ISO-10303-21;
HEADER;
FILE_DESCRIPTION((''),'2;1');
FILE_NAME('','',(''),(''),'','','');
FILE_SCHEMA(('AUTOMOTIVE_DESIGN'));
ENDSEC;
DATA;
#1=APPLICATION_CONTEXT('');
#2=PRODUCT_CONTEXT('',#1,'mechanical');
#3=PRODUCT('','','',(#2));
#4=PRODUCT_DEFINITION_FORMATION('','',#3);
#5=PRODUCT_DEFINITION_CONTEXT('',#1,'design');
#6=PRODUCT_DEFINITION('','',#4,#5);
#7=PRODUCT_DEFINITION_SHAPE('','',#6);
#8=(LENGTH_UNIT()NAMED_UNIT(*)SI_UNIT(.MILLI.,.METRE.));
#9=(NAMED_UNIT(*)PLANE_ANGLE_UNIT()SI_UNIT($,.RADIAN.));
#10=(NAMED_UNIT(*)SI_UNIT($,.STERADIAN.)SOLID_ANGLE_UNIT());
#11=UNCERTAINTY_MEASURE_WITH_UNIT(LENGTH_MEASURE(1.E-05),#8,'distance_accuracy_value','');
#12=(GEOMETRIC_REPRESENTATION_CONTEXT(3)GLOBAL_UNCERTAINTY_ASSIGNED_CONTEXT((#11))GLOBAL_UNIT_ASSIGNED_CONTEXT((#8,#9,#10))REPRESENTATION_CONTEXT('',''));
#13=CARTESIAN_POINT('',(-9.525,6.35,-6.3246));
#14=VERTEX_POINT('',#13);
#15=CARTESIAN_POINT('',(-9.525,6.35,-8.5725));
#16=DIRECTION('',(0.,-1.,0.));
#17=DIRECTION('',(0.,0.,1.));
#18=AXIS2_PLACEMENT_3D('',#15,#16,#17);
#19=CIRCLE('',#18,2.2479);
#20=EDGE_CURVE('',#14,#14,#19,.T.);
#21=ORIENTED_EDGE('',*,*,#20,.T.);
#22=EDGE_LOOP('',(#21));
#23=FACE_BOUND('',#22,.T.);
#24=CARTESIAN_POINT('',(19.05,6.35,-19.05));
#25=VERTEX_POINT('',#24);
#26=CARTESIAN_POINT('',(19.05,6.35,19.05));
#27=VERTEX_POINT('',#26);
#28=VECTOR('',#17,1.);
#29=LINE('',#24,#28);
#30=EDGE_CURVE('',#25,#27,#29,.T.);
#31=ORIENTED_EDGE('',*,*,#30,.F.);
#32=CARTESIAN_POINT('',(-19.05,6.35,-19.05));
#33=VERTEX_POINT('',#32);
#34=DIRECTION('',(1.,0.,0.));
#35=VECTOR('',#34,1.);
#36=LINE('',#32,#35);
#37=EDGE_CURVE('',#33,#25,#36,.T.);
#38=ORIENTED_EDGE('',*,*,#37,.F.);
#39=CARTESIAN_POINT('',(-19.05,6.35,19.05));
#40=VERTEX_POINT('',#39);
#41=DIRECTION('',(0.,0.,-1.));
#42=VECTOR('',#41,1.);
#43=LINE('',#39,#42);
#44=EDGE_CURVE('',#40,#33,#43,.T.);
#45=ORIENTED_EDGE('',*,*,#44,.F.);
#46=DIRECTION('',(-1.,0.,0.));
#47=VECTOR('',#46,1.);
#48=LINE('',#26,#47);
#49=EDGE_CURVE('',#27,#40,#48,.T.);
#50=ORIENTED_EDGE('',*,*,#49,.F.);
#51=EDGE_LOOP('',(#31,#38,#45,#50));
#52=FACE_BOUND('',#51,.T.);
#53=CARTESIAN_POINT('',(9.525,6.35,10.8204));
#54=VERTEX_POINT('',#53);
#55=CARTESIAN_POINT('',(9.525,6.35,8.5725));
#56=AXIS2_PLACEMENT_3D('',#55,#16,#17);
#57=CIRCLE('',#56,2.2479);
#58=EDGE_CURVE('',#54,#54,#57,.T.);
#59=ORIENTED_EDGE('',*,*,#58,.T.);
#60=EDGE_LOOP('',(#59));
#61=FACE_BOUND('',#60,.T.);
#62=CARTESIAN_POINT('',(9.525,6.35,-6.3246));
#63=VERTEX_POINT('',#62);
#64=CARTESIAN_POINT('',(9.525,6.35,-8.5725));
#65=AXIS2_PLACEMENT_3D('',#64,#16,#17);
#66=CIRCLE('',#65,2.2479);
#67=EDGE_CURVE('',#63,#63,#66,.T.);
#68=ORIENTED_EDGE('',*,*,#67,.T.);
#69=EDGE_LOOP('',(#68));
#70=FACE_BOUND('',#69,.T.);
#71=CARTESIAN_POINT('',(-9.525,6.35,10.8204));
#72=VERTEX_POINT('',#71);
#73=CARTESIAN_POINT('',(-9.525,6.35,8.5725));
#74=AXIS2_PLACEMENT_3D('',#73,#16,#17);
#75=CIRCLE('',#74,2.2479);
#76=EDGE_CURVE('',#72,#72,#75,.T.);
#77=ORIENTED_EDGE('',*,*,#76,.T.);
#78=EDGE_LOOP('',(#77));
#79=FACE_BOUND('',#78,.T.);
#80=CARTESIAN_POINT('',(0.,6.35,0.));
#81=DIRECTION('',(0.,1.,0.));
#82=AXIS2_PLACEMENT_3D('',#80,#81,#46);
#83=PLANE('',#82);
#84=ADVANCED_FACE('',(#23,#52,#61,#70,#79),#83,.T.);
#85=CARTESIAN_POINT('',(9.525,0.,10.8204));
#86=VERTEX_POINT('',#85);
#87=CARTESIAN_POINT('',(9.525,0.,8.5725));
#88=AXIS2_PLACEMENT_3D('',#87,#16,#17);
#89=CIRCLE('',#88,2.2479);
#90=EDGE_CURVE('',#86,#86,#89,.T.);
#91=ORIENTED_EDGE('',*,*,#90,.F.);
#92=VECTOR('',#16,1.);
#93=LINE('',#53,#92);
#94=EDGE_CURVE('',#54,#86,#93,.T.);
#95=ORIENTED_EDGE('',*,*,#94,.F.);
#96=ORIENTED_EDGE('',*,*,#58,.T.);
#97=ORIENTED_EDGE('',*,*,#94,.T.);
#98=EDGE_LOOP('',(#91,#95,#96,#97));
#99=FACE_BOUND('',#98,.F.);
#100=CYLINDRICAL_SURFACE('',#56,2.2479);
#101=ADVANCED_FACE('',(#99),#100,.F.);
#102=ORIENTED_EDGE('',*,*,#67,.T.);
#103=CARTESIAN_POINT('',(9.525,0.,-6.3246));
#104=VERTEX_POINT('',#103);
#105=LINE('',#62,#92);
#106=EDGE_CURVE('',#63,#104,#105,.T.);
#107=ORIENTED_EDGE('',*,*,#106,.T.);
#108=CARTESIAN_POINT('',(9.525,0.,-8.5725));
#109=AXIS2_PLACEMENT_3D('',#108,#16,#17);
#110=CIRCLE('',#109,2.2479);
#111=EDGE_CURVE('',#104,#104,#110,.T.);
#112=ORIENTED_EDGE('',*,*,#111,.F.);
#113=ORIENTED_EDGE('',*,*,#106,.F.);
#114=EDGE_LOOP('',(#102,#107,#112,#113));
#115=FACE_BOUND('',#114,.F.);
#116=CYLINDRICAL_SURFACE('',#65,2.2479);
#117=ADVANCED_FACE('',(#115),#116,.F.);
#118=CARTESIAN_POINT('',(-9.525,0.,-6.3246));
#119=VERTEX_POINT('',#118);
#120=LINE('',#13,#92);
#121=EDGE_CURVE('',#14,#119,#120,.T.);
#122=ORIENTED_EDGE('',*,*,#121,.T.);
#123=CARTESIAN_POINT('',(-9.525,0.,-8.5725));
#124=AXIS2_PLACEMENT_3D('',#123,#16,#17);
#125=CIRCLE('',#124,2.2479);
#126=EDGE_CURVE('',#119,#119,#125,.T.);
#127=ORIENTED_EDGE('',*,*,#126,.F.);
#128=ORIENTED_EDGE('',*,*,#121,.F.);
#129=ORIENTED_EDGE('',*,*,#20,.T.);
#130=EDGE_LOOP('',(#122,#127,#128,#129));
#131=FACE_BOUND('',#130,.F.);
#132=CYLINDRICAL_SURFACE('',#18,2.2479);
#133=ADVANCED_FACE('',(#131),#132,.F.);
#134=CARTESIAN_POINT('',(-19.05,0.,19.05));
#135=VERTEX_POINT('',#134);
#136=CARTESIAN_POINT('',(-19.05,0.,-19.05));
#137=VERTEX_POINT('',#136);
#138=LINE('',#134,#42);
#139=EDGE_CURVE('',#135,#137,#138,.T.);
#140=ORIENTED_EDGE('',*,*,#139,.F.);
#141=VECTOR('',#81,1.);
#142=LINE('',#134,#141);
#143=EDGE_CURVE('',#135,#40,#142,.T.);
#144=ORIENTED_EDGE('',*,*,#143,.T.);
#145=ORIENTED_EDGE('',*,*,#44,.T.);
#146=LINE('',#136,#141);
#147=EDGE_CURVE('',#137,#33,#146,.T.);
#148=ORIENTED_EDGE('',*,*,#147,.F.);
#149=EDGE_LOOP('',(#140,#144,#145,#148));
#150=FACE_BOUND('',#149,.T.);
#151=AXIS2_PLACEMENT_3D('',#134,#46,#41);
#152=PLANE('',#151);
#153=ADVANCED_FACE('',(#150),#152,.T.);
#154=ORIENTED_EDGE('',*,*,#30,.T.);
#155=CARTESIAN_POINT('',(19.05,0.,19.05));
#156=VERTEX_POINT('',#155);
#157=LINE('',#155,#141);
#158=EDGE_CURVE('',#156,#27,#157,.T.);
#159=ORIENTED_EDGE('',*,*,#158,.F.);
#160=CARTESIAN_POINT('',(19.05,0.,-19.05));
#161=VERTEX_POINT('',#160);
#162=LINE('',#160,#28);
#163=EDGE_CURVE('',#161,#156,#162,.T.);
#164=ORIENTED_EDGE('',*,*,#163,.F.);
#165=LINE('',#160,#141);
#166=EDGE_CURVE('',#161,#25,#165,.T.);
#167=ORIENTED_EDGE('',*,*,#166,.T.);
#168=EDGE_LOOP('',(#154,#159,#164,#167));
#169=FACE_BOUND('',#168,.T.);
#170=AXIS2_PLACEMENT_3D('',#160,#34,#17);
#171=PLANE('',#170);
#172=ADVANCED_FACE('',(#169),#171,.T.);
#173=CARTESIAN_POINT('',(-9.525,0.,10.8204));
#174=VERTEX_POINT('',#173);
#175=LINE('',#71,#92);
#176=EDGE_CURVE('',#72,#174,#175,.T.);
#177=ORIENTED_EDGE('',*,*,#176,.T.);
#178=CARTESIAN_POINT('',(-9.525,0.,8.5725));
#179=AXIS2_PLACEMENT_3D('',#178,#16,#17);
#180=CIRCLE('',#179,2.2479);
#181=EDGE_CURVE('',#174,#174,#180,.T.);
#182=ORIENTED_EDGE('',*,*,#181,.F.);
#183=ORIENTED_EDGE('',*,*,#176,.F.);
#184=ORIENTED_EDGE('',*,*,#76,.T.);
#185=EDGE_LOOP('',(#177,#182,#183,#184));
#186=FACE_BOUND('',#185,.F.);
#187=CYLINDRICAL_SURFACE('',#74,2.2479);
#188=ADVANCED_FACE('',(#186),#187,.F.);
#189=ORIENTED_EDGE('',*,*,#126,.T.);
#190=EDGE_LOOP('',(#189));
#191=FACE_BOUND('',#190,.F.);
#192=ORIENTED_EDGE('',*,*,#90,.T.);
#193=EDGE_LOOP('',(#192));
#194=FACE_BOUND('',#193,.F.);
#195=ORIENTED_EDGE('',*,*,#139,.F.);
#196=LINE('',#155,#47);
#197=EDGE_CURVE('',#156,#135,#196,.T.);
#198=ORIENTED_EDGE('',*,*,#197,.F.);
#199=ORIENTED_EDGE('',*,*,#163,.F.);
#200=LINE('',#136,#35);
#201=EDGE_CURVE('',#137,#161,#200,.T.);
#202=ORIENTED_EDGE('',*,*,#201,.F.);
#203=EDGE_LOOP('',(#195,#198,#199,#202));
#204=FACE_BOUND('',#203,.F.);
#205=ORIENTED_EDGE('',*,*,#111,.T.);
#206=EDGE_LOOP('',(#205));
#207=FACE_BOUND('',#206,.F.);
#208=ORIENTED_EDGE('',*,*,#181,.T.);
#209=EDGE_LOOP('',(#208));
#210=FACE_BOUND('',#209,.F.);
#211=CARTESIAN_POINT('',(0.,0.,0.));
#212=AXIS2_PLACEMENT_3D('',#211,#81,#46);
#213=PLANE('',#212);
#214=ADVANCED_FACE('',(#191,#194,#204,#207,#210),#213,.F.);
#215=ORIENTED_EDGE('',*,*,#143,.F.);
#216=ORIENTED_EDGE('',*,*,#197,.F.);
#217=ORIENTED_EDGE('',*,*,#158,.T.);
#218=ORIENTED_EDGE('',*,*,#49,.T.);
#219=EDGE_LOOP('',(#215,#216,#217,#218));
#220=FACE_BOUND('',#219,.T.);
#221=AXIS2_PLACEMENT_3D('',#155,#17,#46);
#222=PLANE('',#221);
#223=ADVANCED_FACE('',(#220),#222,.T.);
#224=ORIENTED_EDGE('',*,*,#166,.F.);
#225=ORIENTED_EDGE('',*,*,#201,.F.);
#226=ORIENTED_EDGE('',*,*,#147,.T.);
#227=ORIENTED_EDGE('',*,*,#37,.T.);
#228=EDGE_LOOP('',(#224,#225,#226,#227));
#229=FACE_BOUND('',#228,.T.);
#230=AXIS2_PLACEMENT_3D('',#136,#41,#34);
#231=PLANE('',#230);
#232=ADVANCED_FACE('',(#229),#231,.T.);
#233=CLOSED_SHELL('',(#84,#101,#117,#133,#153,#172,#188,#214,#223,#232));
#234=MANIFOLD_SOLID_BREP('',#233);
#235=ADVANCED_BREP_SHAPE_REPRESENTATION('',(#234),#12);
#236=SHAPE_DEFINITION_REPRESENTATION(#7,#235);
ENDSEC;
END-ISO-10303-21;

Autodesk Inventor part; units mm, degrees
ref_plane "YZ Plane" through (0, 0, 0) normal (1, 0, 0) x (0, 1, 0)
ref_plane "XZ Plane" through (0, 0, 0) normal (0, 1, 0) x (-1, 0, 0)
ref_plane "XY Plane" through (0, 0, 0) normal (0, 0, 1) x (1, 0, 0)
sketch "Sketch1" plane through (0, 0, 0) normal (0, 1, 0) x (-1, 0, 0)
  line L0 (-19.05, 19.05) -> (19.05, 19.05)
  line L1 (19.05, 19.05) -> (19.05, -19.05)
  line L2 (19.05, -19.05) -> (-19.05, -19.05)
  line L3 (-19.05, -19.05) -> (-19.05, 19.05)
  line L4 (-19.05, 19.05) -> (19.05, -19.05) construction
  line L5 (19.05, 19.05) -> (-19.05, -19.05) construction
  point P0 (0, 0)
  dimension "d0" = 38.1
  dimension "d1" = 38.1
extrude "Extrusion1" add sketch "Sketch1" along normal blind 6.35
sketch "Sketch2" plane through (0, 6.35, 0) normal (0, 1, 0) x (1, 0, 0)
  line L0 (-19.05, -19.05) -> (19.05, -19.05) construction
  line L1 (19.05, -19.05) -> (19.05, 19.05) construction
  line L2 (19.05, 19.05) -> (-19.05, 19.05) construction
  line L3 (-19.05, 19.05) -> (-19.05, -19.05) construction
  point P0 (0, 0)
  point P1 (-9.525, -8.5725)
  point P2 (-9.525, 8.5725)
  point P3 (9.525, -8.5725)
  point P4 (9.525, 8.5725)
  dimension "d6" = 17.145
  dimension "d9" = 19.05
  dimension "d12" = 8.5725
  dimension "d13" = 9.525
hole "Hole1" at (-9.525, 6.35, 8.5725) at (-9.525, 6.35, -8.5725) at (9.525, 6.35, 8.5725) at (9.525, 6.35, -8.5725) direction (0, -1, 0) diameter 4.4958 end through all clearance for "Flat Head Machine Screw (82)" size "#8" standard "Ansi Unified Screw Threads"
equation "\"d12\" = 0.5 * d6"
equation "\"d13\" = 0.5 * d9"
properties part number "holestandard" material "Aluminum 6061"
